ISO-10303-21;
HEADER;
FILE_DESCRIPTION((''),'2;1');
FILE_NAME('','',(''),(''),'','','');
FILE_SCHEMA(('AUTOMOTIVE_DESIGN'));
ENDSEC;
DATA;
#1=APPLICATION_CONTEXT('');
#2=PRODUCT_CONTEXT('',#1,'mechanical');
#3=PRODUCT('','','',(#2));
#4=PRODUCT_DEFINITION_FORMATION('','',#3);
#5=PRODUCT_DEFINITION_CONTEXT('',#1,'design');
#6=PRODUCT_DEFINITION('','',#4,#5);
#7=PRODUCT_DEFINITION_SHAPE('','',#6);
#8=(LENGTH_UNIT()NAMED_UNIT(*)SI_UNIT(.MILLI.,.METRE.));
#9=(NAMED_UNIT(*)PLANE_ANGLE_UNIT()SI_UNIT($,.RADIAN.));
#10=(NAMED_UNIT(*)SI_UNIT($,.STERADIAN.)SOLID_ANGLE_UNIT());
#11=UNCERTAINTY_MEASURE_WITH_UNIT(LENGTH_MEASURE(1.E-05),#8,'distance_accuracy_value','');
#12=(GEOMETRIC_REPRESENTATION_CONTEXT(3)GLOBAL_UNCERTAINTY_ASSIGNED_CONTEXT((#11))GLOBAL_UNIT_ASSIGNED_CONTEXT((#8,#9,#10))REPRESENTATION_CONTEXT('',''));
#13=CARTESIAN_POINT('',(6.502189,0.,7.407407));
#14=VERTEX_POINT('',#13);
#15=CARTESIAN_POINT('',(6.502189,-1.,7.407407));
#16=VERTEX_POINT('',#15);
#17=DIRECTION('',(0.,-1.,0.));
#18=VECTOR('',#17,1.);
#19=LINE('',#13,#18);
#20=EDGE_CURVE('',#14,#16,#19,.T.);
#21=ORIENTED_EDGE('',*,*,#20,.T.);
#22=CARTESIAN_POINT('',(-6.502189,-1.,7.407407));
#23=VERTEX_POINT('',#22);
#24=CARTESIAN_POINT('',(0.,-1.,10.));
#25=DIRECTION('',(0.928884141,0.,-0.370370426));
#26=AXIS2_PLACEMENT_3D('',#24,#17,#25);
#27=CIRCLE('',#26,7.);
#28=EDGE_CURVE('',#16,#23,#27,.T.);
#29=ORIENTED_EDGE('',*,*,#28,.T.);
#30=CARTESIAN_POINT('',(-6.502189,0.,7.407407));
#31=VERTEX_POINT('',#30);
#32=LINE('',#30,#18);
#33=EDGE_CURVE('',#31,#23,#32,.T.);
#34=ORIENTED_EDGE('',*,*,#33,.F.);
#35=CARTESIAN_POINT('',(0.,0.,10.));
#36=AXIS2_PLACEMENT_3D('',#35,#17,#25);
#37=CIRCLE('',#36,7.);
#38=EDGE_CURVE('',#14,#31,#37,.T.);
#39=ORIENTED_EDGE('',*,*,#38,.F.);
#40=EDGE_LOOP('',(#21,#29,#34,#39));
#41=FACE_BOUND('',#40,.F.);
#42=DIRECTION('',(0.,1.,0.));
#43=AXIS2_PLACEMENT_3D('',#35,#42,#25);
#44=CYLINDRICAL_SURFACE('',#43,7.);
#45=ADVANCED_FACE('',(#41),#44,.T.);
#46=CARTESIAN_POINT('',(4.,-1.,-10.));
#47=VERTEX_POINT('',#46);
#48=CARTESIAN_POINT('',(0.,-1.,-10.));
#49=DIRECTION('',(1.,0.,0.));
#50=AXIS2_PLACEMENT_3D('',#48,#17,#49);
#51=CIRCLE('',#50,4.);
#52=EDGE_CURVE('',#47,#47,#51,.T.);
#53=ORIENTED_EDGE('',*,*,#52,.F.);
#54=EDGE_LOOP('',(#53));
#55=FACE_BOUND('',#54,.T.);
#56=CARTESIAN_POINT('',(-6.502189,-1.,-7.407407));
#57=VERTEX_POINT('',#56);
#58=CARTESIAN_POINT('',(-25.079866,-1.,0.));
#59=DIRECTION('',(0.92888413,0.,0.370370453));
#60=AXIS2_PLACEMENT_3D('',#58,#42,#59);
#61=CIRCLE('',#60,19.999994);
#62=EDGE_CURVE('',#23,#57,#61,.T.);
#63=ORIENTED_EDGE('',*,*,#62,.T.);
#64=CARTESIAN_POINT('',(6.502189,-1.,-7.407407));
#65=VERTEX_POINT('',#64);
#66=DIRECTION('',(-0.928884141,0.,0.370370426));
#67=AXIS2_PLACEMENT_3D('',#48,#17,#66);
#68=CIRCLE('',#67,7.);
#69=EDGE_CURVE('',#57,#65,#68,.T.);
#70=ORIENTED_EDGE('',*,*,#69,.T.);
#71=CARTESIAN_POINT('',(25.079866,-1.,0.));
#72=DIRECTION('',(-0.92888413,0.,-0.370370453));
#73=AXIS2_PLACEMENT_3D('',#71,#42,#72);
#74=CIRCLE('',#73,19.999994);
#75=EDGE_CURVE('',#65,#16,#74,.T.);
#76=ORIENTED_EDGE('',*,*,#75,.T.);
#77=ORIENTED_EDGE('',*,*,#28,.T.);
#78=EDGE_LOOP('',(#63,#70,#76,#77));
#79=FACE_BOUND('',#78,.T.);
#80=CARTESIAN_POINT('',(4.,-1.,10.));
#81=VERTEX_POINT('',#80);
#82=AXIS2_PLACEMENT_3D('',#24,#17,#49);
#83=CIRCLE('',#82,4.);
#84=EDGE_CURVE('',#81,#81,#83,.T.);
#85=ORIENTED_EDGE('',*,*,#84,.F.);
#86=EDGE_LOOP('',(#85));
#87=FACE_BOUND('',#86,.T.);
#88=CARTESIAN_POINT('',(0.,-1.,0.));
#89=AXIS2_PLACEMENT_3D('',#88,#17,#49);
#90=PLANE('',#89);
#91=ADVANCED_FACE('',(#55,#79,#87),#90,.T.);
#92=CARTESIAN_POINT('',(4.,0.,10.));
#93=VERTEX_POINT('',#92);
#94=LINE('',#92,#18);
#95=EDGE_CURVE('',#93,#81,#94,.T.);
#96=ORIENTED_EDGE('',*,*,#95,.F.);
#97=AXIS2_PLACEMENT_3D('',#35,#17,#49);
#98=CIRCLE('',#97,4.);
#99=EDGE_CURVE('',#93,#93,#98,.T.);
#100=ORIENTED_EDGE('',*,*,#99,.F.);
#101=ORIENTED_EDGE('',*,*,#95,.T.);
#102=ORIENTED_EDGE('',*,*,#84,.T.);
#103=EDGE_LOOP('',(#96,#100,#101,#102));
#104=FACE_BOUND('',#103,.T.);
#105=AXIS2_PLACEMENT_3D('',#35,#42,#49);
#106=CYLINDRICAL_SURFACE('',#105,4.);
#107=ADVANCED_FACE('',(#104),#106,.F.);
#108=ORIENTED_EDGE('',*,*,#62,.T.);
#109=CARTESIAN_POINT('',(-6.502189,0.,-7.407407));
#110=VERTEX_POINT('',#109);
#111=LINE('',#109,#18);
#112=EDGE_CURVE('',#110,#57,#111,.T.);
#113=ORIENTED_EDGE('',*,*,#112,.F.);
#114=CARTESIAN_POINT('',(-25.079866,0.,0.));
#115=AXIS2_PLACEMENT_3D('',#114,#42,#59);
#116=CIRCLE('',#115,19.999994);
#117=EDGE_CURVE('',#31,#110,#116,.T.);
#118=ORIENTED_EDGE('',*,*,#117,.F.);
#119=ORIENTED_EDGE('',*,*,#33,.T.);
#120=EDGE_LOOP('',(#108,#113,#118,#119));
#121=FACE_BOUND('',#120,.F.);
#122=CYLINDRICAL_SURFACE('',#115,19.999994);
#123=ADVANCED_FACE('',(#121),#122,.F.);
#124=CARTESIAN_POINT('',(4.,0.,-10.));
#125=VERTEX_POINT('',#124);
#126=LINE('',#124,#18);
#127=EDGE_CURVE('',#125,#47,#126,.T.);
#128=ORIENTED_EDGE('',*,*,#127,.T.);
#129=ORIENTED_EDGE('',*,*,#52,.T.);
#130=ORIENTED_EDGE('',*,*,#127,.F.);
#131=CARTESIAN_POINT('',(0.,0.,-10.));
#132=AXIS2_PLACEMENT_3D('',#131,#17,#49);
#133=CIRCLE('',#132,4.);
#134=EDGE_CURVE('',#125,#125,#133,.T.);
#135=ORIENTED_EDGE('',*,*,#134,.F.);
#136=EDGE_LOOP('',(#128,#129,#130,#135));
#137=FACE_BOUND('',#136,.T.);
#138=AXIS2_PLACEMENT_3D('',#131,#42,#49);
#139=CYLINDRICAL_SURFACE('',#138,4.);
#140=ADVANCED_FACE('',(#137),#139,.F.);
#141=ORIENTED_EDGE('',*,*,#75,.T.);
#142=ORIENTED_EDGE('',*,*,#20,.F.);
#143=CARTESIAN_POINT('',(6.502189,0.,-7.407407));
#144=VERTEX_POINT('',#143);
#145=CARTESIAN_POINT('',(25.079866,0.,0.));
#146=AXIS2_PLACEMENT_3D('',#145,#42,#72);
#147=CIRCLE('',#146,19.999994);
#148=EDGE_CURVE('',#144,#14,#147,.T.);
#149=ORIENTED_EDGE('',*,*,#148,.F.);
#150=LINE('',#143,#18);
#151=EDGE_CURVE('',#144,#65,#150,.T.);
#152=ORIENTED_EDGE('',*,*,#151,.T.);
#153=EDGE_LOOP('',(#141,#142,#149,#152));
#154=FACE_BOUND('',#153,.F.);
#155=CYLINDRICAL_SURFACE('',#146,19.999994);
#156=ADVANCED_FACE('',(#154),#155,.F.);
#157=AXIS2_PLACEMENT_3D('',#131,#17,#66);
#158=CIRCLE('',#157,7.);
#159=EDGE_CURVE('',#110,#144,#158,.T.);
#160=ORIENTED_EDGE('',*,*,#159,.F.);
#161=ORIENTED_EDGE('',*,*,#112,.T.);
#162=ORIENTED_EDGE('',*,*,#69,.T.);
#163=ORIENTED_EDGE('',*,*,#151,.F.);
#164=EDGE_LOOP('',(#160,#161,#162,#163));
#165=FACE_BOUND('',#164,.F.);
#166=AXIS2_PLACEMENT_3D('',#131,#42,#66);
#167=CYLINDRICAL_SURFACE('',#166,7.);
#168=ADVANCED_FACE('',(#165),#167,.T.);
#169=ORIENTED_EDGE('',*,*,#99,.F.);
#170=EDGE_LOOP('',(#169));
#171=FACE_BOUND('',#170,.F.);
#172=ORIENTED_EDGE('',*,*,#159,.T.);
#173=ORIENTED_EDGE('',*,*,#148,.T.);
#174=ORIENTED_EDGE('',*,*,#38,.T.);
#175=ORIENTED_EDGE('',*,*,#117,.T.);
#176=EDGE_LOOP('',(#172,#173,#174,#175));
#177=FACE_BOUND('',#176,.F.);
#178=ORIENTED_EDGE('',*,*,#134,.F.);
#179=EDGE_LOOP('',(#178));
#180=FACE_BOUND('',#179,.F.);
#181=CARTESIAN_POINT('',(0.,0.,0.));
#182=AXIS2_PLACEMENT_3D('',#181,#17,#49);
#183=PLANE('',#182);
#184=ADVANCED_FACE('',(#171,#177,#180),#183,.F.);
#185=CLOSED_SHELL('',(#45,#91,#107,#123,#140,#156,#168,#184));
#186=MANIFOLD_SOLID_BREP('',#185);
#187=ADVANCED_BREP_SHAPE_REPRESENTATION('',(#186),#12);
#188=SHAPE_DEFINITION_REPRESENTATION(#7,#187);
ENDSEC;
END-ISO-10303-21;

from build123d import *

# Parameters (mm, degrees)
F0_R     = 4
F1_DEPTH = 1


with BuildPart() as f1:
    # F0 (on Front) → F1 (new body)
    with BuildSketch(Plane.XZ):
        with BuildLine():
            ThreePointArc((6.502189, -7.407407), (5.079872, 0), (6.502189, 7.407407))
            ThreePointArc((6.502189, 7.407407), (0, 17), (-6.502189, 7.407407))
            ThreePointArc((-6.502189, 7.407407), (-5.079872, 0), (-6.502189, -7.407407))
            ThreePointArc((-6.502189, -7.407407), (0, -17), (6.502189, -7.407407))
        make_face()
        with Locations((0, -10)):
            Circle(F0_R, mode=Mode.SUBTRACT)
        with Locations((0, 10)):
            Circle(F0_R, mode=Mode.SUBTRACT)
    extrude(amount=F1_DEPTH)


solid = f1.part
